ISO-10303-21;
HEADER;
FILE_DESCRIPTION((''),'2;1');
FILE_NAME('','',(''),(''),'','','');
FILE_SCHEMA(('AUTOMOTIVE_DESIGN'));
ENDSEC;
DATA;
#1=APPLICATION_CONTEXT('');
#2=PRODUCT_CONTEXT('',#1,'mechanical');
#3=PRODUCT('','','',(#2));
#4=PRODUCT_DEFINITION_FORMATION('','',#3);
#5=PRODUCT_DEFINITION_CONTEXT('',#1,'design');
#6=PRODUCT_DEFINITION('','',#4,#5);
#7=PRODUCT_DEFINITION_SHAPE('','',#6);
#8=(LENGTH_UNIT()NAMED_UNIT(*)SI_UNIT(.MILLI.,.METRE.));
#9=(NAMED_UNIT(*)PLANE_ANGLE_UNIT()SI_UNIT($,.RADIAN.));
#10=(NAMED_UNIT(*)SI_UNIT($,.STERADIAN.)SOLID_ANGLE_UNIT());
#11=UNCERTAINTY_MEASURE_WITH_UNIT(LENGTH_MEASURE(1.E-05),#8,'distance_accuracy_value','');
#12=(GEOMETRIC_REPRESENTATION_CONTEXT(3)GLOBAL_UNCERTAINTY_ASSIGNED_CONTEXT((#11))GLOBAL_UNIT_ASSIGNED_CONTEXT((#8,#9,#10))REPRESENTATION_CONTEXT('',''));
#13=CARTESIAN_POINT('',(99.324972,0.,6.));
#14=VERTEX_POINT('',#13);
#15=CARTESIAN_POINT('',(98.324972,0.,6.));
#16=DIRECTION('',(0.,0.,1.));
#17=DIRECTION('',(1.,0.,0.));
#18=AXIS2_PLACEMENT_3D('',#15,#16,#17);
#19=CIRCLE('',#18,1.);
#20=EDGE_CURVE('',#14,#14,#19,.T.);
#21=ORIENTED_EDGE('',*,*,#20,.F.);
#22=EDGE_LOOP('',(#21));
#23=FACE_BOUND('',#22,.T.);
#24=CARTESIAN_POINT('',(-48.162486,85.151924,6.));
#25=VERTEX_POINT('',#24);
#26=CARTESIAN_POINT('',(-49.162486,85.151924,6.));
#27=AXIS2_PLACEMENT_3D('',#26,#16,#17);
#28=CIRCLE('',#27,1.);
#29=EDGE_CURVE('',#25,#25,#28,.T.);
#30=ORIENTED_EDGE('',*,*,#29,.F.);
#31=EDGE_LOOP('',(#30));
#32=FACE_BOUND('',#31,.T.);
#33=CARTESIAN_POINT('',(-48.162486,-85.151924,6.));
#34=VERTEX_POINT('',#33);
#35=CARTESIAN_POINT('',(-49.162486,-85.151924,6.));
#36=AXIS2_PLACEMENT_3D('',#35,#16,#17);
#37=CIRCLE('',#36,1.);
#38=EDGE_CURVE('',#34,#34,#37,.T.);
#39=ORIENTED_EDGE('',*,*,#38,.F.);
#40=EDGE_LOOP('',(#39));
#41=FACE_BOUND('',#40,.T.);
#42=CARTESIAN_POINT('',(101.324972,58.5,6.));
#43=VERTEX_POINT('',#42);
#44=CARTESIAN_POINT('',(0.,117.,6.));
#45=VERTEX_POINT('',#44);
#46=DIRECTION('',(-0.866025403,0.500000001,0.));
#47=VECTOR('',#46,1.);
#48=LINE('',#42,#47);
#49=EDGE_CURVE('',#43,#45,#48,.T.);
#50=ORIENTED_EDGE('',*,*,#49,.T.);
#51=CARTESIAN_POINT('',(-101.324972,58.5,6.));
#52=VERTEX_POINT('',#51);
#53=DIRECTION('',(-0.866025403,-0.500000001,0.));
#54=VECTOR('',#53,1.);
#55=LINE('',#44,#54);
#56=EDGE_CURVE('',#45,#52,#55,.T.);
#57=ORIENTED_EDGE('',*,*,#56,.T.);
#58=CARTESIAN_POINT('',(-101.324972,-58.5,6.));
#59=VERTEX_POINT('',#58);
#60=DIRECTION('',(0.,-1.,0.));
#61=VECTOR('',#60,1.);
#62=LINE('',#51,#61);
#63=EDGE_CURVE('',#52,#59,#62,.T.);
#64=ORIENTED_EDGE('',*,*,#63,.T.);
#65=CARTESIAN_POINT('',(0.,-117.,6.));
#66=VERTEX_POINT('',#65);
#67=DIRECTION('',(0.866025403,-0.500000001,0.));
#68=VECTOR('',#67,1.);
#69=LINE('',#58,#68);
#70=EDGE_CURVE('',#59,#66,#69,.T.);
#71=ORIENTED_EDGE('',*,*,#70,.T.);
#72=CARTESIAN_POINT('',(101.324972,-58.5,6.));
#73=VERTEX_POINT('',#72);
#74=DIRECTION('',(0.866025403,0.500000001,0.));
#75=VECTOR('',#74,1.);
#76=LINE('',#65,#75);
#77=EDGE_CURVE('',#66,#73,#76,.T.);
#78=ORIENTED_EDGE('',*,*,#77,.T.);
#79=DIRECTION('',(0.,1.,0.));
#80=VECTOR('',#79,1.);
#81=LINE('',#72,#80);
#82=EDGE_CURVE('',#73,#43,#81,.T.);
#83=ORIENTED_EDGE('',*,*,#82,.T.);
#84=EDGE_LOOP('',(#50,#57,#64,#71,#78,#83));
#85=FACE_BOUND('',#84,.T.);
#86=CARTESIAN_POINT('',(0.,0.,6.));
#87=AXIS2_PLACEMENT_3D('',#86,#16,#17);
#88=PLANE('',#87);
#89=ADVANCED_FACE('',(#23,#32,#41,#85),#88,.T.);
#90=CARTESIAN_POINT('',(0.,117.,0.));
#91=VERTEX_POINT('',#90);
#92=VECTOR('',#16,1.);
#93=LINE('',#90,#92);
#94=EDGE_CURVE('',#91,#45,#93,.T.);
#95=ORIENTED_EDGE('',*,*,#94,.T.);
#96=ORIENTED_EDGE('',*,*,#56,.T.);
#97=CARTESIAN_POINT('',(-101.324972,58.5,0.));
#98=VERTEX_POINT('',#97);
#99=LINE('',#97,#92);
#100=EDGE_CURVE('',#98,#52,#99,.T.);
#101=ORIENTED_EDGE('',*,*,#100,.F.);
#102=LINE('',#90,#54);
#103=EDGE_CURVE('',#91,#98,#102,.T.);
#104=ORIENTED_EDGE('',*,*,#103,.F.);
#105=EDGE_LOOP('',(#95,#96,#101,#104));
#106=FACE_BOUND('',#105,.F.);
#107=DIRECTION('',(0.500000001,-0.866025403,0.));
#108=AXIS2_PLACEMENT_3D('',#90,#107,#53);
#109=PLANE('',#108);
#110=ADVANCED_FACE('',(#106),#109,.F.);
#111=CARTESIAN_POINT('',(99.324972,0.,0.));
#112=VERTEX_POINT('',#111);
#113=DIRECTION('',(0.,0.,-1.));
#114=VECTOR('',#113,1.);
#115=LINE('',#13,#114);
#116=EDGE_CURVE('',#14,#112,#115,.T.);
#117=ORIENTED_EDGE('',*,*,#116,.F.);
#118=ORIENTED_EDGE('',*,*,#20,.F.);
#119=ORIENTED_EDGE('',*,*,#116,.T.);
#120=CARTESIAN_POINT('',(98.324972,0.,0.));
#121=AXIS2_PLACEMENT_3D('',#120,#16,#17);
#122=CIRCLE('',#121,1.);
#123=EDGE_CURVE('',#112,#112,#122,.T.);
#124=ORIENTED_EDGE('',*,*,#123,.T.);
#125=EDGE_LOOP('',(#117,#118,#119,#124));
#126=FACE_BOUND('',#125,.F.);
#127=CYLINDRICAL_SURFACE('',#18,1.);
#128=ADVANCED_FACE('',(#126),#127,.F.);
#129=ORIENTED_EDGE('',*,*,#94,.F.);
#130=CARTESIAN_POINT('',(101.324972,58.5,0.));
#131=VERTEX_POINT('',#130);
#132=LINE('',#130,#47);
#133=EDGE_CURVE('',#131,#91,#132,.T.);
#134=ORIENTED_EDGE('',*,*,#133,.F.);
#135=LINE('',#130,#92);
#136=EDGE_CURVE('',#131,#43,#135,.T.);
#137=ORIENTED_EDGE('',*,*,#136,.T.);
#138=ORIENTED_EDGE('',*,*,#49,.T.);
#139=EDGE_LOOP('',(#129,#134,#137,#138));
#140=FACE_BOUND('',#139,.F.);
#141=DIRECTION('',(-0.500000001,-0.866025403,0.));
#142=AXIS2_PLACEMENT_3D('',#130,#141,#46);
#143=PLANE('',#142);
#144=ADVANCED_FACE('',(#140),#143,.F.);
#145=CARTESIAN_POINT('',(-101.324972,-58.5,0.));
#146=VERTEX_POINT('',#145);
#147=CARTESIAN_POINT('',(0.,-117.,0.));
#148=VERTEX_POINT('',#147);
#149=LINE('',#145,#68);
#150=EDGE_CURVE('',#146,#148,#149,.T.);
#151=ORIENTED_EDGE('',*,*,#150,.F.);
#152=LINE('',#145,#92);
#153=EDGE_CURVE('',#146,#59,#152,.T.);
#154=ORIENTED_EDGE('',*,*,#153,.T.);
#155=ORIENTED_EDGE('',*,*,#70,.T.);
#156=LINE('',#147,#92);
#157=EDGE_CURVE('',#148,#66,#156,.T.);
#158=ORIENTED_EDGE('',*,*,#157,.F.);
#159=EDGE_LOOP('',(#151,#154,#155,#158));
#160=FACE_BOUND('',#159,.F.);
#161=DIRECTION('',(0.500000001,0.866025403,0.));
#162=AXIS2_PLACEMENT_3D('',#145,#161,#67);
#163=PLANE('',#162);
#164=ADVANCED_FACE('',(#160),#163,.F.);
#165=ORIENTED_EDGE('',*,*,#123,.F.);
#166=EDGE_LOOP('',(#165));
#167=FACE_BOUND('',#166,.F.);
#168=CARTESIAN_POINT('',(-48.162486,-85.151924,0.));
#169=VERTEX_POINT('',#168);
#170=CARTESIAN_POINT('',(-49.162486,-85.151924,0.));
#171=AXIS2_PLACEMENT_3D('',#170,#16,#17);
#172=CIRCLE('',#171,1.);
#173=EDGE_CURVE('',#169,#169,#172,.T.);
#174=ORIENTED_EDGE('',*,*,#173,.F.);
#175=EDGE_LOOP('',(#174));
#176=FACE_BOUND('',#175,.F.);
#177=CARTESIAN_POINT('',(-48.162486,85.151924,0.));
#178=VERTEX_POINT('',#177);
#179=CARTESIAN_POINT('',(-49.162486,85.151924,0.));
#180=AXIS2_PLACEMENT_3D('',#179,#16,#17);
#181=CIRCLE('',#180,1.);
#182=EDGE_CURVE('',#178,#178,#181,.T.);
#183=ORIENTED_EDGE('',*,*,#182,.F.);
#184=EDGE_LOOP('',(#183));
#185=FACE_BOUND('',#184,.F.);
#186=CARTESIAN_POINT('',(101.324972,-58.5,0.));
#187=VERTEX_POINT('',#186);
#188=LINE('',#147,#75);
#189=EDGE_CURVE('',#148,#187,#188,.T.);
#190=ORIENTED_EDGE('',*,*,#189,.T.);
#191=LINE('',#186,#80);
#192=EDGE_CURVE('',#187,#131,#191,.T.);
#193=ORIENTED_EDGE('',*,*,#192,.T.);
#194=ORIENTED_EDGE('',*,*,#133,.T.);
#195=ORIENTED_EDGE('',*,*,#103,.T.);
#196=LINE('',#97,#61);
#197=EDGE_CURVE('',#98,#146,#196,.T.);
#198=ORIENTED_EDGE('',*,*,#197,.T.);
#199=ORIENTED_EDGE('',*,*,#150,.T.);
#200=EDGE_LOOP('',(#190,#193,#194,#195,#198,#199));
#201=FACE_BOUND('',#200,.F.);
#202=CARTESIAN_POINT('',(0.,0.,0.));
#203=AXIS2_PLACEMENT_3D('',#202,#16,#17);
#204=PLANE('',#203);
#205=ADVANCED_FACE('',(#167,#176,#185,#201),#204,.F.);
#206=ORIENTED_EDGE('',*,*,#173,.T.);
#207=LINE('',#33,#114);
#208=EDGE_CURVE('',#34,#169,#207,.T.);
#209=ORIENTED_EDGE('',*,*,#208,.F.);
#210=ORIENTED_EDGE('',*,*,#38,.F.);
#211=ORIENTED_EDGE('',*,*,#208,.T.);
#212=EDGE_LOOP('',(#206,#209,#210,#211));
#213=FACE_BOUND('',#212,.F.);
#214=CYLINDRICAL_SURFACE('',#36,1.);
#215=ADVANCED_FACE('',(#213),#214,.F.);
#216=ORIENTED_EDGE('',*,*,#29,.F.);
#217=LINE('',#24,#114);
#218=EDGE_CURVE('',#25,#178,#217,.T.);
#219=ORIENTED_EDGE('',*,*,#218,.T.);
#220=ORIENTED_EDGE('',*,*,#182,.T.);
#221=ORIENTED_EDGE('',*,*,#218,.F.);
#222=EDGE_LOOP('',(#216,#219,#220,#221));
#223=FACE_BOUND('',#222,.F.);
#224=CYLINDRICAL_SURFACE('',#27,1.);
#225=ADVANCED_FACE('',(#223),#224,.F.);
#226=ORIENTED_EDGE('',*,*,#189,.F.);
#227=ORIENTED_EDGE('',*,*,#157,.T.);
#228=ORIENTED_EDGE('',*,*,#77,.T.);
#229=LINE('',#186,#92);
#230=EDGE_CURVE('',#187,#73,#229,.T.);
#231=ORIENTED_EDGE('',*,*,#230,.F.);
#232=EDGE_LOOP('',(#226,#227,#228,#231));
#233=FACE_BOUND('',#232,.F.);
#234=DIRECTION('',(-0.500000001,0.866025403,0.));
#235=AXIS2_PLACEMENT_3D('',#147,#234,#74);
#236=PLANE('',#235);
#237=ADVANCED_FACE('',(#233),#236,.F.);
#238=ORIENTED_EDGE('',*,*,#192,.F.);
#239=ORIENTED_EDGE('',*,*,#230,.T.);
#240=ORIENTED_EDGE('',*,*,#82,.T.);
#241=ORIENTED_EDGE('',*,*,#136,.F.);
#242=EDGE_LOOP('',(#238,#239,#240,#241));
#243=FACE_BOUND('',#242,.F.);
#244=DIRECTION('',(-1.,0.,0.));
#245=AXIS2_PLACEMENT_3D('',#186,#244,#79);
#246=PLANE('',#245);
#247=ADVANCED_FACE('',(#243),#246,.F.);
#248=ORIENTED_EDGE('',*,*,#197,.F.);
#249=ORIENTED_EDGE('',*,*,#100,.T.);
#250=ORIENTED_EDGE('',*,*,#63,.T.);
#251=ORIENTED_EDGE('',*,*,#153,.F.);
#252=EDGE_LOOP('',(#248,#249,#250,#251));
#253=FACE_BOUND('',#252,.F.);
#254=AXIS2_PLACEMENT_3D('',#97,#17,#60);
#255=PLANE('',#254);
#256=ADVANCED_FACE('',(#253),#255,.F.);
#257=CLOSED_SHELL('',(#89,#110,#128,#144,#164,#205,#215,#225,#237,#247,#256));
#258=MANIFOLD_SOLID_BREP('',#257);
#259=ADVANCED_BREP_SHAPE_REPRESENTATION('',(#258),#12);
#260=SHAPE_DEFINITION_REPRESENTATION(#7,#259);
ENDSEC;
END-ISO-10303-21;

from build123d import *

# Parameters (mm, degrees)
F1_DEPTH = 6
F2_R     = 1
F3_DEPTH = 25


with BuildPart() as f1:
    # F0 (on Top) → F1 (new body)
    with BuildSketch(Plane.XY):
        Polygon((0, -117), (101.324972, -58.5), (101.324972, 58.5), (0, 117), (-101.324972, 58.5), (-101.324972, -58.5), align=None)
    extrude(amount=F1_DEPTH)

    # F2 (on face) → F3 (cut)
    with BuildSketch(Plane.XY.offset(6)):
        with Locations((-49.162486, -85.151924)):
            Circle(F2_R)
        with Locations((-49.162486, 85.151924)):
            Circle(F2_R)
        with Locations((98.324972, 0)):
            Circle(F2_R)
    extrude(amount=-F3_DEPTH, mode=Mode.SUBTRACT)


solid = f1.part
